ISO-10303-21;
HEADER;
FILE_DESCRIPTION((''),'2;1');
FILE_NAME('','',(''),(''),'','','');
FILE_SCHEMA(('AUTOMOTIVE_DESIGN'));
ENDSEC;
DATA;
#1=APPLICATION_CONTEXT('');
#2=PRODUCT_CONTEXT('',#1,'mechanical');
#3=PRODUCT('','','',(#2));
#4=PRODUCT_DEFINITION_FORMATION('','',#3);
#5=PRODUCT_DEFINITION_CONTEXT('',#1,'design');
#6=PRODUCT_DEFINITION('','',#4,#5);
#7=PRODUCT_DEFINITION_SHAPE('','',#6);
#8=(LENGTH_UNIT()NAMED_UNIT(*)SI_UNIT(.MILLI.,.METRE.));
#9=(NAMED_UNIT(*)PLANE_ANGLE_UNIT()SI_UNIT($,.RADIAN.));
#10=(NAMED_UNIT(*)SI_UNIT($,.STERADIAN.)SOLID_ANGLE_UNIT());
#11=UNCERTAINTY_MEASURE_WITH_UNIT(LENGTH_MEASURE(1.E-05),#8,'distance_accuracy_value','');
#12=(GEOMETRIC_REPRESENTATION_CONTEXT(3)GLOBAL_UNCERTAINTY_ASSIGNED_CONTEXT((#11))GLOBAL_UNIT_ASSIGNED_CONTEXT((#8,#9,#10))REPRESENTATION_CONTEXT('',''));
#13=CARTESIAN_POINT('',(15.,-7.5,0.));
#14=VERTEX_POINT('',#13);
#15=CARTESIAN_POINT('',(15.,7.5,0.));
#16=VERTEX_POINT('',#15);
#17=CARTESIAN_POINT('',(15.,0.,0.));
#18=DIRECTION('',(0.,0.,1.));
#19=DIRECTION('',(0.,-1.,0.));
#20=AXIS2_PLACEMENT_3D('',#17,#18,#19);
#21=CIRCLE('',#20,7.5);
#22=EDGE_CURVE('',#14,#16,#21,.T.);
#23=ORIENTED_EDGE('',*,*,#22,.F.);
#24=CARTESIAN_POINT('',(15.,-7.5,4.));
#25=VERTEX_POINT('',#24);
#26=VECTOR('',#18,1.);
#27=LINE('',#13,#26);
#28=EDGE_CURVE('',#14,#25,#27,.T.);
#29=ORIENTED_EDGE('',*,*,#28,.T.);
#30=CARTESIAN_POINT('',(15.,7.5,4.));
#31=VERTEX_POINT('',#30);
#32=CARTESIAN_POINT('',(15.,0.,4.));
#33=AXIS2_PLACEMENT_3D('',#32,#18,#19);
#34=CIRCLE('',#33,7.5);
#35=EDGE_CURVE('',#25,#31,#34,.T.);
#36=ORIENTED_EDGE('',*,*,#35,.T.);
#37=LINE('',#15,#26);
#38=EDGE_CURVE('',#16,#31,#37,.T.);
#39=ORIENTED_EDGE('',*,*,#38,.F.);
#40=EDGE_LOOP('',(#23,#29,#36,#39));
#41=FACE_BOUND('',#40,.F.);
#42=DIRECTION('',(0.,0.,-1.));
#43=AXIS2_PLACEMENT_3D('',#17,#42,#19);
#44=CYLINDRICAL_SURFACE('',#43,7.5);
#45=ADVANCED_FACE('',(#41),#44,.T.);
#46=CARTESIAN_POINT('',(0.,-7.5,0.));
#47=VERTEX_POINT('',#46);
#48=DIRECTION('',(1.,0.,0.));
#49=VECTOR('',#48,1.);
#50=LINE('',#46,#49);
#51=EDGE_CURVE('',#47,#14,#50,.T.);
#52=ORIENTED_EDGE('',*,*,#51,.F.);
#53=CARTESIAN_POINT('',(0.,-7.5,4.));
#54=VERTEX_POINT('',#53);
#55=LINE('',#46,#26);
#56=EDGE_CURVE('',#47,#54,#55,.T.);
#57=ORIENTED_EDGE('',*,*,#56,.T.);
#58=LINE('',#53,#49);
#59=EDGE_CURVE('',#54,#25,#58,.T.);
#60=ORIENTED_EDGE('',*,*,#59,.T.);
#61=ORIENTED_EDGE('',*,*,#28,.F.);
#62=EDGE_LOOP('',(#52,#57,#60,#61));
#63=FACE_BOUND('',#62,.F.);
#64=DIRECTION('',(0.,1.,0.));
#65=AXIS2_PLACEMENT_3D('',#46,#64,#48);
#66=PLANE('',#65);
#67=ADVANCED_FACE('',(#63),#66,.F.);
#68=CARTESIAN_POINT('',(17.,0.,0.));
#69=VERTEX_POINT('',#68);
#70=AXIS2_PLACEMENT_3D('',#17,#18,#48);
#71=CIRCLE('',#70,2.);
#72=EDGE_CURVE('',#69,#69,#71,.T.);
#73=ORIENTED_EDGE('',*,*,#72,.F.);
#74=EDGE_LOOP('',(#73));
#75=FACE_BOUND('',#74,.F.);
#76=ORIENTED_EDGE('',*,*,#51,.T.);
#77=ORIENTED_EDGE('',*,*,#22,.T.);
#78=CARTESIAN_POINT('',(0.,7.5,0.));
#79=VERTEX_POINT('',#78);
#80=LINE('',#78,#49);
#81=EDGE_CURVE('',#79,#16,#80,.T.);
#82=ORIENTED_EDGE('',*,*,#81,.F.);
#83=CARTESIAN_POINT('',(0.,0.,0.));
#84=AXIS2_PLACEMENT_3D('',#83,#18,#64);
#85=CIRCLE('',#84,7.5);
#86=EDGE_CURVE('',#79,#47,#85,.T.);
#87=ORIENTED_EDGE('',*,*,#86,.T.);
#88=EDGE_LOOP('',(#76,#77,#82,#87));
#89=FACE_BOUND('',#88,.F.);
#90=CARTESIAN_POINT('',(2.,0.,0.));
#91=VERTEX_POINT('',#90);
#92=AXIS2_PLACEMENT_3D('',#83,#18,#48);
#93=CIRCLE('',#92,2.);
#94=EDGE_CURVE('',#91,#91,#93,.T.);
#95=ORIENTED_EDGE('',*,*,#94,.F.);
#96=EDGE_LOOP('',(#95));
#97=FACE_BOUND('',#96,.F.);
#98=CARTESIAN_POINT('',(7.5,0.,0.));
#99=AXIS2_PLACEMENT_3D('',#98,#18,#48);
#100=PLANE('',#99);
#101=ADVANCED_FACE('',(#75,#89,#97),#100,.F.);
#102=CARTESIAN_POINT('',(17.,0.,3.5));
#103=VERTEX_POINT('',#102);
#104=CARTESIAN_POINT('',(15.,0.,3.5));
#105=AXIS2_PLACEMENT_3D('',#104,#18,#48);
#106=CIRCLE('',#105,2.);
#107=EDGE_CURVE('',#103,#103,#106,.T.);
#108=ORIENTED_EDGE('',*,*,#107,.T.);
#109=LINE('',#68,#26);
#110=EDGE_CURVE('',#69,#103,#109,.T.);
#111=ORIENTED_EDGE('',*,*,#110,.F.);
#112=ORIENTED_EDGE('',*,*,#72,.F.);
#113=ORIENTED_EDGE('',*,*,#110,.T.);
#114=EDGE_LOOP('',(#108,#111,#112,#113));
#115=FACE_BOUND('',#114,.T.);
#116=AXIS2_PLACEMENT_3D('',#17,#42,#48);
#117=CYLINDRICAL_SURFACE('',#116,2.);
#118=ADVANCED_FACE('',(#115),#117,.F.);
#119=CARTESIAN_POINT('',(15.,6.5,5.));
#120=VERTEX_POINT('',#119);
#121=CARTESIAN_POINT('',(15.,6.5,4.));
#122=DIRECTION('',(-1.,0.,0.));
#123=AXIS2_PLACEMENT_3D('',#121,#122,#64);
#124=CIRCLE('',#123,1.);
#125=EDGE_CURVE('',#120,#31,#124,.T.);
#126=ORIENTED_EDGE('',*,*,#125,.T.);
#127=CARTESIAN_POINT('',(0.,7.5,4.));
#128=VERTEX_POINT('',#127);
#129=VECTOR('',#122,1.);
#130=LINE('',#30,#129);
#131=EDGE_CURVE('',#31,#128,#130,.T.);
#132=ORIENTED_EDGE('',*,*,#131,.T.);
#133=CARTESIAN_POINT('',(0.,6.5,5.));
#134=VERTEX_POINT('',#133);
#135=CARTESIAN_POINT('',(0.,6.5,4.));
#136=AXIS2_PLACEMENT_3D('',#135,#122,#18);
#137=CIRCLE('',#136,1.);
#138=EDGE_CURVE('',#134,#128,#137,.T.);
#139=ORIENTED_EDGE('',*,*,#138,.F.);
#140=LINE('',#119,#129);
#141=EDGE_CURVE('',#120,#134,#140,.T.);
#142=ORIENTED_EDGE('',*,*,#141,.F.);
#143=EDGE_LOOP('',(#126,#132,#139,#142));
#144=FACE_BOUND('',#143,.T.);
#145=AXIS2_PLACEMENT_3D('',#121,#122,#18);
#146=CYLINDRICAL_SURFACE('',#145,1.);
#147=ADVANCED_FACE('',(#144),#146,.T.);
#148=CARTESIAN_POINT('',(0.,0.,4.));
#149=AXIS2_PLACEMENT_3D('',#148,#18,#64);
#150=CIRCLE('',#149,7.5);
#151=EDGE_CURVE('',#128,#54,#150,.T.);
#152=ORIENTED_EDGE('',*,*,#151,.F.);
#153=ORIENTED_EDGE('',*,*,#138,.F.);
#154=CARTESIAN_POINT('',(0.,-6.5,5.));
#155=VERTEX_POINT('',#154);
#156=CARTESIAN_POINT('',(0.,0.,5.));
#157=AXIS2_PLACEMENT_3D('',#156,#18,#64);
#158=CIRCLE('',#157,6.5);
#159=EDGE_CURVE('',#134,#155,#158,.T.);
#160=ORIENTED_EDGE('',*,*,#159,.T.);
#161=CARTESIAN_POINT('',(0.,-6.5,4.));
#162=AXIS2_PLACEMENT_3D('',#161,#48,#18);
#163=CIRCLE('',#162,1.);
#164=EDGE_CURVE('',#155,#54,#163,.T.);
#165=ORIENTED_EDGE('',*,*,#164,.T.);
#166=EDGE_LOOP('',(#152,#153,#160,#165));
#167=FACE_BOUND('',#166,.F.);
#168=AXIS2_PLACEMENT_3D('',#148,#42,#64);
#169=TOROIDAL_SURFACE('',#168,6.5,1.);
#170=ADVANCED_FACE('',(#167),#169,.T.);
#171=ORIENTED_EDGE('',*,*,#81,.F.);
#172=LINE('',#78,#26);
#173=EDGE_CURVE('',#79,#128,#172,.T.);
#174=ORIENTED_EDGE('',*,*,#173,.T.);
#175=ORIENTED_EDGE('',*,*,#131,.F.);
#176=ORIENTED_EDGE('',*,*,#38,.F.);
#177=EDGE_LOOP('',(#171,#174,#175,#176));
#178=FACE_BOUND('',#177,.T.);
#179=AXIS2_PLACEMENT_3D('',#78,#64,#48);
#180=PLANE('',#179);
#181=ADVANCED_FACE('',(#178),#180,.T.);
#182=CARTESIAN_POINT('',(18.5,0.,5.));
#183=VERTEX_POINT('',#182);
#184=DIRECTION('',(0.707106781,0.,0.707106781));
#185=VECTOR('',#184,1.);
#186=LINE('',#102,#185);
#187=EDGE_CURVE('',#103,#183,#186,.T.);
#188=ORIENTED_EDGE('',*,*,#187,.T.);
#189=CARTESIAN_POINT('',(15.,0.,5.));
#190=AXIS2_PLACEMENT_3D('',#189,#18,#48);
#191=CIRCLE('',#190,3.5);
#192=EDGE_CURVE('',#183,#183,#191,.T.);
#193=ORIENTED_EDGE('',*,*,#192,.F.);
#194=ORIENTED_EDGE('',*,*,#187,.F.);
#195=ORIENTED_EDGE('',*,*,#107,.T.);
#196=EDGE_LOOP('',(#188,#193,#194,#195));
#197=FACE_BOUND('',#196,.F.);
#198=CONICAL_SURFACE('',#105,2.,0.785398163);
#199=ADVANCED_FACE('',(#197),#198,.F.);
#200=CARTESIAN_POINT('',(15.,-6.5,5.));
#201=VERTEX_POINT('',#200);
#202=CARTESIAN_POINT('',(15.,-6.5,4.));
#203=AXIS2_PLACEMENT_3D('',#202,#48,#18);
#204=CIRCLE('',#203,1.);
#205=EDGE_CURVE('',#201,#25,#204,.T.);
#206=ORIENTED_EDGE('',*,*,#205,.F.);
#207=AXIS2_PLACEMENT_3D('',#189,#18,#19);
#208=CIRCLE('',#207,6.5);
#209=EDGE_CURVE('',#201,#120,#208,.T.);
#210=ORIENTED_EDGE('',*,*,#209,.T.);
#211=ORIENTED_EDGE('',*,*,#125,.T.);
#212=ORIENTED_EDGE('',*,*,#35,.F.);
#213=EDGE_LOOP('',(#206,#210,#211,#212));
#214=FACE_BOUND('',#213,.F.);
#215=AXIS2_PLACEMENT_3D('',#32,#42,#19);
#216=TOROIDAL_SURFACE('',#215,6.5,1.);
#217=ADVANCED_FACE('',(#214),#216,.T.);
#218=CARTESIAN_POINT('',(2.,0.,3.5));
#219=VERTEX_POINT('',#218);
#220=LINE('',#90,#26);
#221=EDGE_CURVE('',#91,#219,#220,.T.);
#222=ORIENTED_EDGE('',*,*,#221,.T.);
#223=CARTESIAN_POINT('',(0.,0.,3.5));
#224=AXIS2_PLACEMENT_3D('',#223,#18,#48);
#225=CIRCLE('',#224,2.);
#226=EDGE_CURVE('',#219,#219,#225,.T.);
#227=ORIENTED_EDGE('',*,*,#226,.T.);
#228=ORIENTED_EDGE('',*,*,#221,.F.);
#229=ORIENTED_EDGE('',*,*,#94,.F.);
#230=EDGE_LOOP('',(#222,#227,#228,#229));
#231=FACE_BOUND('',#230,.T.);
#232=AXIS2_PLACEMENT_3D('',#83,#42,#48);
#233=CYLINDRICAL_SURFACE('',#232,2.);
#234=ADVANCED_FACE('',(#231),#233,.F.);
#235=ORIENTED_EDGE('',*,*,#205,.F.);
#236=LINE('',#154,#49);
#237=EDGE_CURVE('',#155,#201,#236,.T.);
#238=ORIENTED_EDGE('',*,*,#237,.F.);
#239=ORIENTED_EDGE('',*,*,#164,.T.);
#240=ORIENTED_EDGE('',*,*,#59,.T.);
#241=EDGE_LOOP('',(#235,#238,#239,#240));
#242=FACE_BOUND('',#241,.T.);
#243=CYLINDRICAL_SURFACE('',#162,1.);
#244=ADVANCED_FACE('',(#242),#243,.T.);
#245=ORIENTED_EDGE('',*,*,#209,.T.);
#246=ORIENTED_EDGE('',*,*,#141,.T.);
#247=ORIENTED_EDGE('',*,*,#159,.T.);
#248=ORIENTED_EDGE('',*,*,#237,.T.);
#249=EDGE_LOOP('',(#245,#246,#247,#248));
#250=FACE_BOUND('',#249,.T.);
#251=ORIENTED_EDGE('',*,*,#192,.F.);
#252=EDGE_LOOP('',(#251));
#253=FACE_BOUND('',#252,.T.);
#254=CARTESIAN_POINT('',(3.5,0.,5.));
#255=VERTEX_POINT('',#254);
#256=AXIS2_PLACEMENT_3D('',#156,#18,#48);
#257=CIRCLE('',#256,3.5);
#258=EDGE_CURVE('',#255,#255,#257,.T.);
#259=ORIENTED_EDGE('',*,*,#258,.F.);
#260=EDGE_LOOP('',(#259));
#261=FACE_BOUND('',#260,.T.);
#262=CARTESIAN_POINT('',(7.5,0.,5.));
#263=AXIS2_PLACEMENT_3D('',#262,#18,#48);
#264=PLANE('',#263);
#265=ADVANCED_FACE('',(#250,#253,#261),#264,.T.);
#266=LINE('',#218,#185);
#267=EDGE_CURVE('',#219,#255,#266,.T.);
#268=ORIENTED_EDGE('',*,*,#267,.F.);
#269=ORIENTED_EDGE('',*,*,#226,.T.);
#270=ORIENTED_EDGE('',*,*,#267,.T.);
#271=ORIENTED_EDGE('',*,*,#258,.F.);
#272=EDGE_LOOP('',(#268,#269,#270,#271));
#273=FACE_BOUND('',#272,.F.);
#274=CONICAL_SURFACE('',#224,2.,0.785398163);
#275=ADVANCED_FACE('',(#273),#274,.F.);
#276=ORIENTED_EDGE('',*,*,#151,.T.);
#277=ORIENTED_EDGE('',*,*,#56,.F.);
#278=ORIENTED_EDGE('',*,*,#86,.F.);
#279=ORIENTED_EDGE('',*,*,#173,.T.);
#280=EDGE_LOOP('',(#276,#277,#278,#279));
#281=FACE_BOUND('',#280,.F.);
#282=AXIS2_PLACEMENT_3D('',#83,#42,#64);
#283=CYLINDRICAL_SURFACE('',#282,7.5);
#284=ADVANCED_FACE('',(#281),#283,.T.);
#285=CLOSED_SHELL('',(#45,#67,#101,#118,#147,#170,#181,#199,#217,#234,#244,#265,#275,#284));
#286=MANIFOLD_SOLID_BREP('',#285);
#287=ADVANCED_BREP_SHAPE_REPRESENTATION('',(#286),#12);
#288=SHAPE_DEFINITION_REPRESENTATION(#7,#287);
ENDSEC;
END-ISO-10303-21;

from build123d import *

# Parameters (mm, degrees)
SKETCH_R     = 2
PAD_DEPTH    = 5
CHAMFER_SIZE = 1.5
FILLET_R     = 1


with BuildPart() as part:
    # Sketch → Pad (new body)
    with BuildSketch(Plane.XY):
        with BuildLine():
            ThreePointArc((0, 7.5), (-7.5, 0), (0, -7.5))
            Line((0, -7.5), (15, -7.5))
            ThreePointArc((15, -7.5), (22.5, 0), (15, 7.5))
            Line((0, 7.5), (15, 7.5))
        make_face()
        Circle(SKETCH_R, mode=Mode.SUBTRACT)
        with Locations((15, 0)):
            Circle(SKETCH_R, mode=Mode.SUBTRACT)
    extrude(amount=PAD_DEPTH)

    # Chamfer
    chamfer_edges = [part.edges().sort_by_distance(p)[0] for p in [
        (-2, 0, 5),
        (13, 0, 5),
    ]]
    chamfer(chamfer_edges, length=CHAMFER_SIZE)

    # Fillet
    fillet_edges = [part.edges().sort_by_distance(p)[0] for p in [
        (7.5, -7.5, 5),
    ]]
    fillet(fillet_edges, radius=FILLET_R)


solid = part.part
